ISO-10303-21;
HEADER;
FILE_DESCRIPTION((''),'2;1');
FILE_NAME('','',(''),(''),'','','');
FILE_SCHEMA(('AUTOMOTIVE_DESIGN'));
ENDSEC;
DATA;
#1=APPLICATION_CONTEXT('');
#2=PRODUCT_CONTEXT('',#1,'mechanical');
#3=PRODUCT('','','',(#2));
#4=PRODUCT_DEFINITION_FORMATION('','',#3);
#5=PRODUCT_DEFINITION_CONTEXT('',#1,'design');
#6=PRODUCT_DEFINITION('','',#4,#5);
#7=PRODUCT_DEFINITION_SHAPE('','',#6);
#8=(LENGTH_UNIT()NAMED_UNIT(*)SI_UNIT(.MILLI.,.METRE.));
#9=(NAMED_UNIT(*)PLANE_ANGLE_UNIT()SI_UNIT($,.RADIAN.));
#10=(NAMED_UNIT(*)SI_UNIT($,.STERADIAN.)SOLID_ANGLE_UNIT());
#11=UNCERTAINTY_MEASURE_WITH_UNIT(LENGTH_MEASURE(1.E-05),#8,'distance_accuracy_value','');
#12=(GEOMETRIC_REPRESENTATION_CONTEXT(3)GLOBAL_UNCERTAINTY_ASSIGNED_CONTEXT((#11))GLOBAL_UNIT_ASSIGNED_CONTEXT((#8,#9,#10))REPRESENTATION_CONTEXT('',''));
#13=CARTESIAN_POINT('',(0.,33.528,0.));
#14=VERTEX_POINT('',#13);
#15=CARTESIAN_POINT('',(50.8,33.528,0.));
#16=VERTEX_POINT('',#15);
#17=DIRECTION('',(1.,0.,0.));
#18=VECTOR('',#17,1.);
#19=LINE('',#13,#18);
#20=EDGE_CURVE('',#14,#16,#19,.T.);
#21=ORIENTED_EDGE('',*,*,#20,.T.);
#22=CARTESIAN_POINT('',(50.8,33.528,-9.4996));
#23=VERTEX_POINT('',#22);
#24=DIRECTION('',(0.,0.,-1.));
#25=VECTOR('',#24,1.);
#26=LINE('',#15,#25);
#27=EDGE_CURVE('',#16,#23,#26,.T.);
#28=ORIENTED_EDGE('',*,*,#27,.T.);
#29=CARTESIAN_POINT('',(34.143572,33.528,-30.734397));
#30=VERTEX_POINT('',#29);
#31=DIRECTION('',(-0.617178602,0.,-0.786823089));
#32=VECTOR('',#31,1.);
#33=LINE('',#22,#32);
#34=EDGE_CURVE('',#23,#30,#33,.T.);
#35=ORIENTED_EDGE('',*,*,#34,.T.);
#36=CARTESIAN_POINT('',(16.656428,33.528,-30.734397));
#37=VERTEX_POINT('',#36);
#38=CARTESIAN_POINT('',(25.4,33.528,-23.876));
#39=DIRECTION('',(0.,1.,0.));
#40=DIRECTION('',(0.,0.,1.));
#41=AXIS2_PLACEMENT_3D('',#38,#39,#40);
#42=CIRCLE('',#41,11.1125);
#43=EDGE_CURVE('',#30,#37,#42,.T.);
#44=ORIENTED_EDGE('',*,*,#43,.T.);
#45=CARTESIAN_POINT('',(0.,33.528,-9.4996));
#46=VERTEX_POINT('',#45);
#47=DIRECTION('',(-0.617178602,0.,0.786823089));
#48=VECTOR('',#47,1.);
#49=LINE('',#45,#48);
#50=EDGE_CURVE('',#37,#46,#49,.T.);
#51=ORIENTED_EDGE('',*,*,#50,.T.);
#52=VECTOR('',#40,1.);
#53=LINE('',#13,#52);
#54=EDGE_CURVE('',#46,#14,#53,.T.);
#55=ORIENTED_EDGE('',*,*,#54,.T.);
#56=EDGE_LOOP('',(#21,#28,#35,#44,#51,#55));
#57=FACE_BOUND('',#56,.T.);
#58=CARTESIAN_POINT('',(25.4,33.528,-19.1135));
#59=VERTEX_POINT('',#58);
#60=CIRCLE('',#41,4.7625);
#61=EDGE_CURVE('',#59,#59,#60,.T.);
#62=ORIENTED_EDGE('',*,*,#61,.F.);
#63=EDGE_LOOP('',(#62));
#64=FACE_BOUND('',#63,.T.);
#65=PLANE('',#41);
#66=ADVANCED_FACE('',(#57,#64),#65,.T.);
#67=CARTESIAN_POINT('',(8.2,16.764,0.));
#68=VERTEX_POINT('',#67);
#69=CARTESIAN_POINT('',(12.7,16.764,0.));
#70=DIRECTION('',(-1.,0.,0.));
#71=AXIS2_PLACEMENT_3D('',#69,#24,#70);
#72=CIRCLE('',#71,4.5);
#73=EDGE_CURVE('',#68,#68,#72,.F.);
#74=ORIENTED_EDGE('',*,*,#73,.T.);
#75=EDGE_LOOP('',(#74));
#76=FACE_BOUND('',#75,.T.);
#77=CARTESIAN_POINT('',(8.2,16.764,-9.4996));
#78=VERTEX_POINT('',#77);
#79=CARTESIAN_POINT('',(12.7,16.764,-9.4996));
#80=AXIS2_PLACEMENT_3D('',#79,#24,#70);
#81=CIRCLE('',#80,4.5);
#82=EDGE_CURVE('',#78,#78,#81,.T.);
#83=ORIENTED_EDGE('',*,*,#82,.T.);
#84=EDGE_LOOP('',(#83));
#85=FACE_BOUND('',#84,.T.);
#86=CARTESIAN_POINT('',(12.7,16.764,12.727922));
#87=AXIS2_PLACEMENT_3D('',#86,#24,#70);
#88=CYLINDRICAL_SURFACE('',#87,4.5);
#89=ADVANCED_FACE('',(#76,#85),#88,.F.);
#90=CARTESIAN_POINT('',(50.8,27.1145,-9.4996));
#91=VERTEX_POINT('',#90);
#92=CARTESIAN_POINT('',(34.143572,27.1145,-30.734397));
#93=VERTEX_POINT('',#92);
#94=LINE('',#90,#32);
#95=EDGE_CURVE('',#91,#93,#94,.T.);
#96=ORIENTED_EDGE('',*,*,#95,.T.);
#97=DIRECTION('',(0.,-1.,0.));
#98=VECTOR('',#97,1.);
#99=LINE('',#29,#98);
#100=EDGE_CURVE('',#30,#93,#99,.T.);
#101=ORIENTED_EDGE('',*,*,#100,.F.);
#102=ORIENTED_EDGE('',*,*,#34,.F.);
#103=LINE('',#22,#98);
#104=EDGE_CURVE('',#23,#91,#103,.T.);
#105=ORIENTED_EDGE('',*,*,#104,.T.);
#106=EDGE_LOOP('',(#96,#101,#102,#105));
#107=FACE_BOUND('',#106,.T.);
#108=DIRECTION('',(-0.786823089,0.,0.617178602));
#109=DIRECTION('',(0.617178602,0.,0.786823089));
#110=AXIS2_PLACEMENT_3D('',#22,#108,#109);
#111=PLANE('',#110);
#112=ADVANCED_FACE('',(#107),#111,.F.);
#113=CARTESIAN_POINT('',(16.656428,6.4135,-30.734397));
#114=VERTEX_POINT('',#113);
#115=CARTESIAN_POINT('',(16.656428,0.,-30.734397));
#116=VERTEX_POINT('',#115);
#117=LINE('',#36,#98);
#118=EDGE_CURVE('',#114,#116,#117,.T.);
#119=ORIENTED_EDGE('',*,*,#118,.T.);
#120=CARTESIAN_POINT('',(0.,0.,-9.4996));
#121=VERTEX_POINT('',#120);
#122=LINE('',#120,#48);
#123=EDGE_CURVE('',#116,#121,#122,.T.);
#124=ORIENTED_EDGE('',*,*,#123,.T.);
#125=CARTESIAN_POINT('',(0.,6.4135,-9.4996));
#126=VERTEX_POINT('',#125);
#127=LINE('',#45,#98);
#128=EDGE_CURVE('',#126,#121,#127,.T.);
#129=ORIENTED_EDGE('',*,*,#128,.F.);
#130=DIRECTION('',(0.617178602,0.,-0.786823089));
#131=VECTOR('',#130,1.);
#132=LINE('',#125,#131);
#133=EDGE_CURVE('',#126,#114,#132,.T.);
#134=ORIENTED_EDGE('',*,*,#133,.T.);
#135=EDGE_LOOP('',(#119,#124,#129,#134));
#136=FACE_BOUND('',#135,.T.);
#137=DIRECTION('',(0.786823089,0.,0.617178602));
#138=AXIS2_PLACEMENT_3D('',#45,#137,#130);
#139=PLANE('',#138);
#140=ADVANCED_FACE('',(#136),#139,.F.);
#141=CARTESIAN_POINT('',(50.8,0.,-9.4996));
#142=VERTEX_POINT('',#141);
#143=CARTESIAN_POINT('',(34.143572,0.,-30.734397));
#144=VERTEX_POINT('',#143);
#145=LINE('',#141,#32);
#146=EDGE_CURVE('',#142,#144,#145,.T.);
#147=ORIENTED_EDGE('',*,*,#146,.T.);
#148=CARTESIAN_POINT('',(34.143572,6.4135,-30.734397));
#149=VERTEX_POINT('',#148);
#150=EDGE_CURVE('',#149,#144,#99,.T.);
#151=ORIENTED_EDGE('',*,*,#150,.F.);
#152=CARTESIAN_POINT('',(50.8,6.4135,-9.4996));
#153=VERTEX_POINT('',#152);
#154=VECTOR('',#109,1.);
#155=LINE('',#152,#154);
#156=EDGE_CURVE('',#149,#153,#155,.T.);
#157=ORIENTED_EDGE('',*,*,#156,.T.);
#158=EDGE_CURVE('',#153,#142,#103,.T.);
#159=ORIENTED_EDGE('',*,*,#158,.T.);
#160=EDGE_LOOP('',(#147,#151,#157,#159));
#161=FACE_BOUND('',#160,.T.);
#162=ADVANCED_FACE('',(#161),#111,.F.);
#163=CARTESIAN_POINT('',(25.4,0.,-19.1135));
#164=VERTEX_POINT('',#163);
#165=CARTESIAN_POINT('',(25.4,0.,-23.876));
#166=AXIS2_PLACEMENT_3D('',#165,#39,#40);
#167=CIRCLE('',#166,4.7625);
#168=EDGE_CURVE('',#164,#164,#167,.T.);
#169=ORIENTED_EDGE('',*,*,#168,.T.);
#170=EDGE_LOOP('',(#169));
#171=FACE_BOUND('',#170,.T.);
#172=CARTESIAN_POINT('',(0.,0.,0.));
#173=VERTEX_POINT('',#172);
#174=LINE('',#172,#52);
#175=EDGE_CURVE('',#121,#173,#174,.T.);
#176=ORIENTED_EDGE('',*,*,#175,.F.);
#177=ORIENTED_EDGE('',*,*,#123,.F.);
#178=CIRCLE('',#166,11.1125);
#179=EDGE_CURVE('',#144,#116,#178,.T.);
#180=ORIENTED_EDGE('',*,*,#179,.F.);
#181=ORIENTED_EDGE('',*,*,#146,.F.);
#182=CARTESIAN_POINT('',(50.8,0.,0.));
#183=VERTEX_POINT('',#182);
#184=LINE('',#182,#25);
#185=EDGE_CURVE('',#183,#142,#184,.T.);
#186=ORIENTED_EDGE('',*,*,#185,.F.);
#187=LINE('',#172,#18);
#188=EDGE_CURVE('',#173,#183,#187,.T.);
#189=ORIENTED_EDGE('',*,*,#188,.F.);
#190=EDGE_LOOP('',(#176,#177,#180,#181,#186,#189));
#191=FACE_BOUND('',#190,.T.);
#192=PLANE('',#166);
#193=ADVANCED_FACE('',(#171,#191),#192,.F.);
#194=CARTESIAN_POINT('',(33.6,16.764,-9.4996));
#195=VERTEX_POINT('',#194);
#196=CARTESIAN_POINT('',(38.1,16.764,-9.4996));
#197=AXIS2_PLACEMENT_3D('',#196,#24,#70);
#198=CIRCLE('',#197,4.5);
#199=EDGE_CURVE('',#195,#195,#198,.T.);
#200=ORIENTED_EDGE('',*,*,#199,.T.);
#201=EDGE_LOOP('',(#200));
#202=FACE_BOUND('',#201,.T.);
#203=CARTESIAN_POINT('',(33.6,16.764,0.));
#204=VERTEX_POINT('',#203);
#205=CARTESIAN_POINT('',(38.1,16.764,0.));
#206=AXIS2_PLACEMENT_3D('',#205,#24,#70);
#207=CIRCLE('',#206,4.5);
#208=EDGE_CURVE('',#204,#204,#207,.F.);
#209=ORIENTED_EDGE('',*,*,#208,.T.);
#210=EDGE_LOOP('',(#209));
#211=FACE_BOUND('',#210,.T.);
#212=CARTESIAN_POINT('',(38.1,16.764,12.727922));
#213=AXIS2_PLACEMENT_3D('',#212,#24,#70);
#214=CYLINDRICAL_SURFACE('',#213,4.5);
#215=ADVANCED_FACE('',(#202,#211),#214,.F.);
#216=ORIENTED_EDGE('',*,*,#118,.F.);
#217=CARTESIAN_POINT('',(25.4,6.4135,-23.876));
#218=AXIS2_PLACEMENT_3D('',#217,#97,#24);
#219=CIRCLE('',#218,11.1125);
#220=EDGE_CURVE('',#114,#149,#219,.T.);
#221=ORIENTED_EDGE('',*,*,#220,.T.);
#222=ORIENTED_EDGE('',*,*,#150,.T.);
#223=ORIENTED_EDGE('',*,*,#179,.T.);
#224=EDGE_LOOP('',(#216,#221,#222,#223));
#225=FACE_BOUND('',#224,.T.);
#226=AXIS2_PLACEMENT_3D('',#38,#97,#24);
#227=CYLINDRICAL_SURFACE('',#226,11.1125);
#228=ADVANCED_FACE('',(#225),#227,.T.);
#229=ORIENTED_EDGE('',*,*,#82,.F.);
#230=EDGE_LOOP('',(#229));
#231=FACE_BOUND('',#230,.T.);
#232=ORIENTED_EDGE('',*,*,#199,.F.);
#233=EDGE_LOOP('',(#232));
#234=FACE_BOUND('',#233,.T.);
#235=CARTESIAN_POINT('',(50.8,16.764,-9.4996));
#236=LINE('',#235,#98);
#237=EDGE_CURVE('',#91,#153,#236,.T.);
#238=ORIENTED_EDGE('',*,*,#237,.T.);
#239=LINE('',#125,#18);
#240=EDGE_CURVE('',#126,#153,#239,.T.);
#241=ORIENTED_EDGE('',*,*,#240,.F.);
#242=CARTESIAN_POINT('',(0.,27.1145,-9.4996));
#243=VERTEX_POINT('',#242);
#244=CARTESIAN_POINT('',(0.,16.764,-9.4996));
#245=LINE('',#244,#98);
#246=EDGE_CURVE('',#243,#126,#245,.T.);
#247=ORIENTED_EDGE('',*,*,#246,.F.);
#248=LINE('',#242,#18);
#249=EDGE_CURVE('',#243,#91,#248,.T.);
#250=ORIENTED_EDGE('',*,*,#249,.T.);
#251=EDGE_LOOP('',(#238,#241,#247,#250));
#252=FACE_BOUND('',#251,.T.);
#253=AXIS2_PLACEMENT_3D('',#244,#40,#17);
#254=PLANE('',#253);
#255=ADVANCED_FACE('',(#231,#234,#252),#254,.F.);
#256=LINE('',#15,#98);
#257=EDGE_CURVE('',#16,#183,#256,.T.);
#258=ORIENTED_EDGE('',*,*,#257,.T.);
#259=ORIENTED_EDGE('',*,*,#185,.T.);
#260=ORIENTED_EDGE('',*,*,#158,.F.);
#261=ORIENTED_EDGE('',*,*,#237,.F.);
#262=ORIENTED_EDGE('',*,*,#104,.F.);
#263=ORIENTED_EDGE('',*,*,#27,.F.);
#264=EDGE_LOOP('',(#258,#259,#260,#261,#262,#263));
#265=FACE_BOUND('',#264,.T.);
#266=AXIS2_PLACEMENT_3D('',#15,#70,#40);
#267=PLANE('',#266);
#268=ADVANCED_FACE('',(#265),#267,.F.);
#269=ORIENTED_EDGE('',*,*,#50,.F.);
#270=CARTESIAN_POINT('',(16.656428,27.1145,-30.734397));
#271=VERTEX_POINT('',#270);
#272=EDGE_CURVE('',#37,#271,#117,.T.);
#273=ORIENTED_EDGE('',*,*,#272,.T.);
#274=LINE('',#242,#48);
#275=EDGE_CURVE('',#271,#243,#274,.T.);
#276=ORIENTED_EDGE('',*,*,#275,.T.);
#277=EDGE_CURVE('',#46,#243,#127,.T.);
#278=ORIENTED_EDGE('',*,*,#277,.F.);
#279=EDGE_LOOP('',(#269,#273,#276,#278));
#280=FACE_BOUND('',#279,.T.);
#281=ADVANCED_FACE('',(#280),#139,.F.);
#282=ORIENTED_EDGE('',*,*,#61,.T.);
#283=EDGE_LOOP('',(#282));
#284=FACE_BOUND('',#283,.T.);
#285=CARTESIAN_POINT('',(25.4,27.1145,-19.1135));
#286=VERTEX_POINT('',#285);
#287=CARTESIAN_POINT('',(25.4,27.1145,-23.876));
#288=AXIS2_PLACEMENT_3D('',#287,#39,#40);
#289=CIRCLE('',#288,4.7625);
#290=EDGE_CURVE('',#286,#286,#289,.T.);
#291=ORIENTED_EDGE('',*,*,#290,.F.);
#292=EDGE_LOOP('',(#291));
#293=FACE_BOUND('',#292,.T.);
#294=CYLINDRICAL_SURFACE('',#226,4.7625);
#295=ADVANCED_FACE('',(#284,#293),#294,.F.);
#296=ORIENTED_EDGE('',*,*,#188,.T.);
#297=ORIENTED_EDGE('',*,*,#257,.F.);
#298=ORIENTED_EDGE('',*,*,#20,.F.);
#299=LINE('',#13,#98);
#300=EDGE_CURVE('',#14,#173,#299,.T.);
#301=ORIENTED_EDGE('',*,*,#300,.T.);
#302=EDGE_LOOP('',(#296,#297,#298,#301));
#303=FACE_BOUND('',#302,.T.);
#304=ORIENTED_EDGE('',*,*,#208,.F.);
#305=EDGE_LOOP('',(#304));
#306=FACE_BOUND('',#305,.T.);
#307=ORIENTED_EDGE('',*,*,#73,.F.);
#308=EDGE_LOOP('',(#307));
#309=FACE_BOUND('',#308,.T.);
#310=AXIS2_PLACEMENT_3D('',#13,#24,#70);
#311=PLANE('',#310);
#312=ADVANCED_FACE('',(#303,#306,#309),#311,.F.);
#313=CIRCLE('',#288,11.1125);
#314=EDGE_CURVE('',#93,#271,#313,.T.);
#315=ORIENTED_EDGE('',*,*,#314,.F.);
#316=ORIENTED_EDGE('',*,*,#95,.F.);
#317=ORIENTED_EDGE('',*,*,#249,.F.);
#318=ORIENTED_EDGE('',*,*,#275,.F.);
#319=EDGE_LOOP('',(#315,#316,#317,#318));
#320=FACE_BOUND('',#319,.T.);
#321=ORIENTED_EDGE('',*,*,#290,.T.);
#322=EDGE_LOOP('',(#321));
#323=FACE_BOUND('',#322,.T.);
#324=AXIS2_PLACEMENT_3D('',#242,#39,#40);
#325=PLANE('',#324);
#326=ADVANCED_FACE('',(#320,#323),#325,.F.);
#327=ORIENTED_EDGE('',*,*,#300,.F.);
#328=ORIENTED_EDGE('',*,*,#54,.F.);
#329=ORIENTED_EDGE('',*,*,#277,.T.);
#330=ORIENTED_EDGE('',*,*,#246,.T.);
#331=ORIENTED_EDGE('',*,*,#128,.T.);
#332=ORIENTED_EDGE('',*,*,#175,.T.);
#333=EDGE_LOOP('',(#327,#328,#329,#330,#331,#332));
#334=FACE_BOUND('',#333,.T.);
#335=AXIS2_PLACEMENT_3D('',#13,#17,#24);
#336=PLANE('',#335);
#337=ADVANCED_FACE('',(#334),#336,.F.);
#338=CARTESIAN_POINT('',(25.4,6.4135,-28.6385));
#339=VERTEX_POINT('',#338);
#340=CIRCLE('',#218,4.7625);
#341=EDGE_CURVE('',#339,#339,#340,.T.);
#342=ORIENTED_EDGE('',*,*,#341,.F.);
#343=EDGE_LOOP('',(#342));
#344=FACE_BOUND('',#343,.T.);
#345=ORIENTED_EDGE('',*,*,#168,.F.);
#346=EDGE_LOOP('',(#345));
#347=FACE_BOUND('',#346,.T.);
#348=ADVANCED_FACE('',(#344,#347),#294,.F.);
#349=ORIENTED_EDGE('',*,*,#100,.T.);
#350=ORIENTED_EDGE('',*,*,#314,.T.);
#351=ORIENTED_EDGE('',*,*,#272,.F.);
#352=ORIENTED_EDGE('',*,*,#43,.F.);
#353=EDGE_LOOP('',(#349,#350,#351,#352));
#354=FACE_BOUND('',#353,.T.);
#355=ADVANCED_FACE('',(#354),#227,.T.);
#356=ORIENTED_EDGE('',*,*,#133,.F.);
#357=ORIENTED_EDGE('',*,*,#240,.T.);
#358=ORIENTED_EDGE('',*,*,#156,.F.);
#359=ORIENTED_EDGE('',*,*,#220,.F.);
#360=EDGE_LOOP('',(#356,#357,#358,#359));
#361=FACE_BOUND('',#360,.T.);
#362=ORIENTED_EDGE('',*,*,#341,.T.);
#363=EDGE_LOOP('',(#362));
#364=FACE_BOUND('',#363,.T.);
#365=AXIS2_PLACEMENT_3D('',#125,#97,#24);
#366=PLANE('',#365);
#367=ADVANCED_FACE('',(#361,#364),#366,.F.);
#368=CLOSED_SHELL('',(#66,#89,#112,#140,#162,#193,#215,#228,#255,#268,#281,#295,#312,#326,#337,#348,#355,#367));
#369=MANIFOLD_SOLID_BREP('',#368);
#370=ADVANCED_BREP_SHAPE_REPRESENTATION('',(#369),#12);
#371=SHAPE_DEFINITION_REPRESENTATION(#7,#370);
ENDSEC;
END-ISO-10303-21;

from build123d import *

# Parameters (mm, degrees)
SKETCH1_R           = 4.7625
BOSS_EXTRUDE1_DEPTH = 33.528
CUT_EXTRUDE1_DEPTH  = 71.206566048
SKETCH3_R           = 4.5
CUT_EXTRUDE2_DEPTH  = 9.4996


with BuildPart() as part:
    # Sketch1 → Boss-Extrude1 (new body)
    with BuildSketch(Plane(origin=(0, 0, 0), x_dir=(1, 0, 0), z_dir=(0, 1, 0))):
        with BuildLine():
            Line((0, 0), (50.8, 0))
            Line((50.8, 0), (50.8, 9.4996))
            Line((50.8, 9.4996), (34.143571574, 30.734397216))
            ThreePointArc((34.143571574, 30.734397216), (25.4, 34.9885), (16.656428426, 30.734397216))
            Line((16.656428426, 30.734397216), (0, 9.4996))
            Line((0, 9.4996), (0, 0))
        make_face()
        with Locations(Location((25.4, 23.876, 0), (0, 0, 270))):
            Circle(SKETCH1_R, mode=Mode.SUBTRACT)
    extrude(amount=BOSS_EXTRUDE1_DEPTH)

    # Sketch2 → Cut-Extrude1 (cut, through all)
    with BuildSketch(Plane(origin=(50.8, 0, 0), x_dir=(0, 0, -1), z_dir=(1, 0, 0))):
        Polygon((9.4996, 16.764), (9.4996, 27.1145), (34.9885, 27.1145), (34.9885, 6.4135), (9.4996, 6.4135), align=None)
    extrude(amount=-CUT_EXTRUDE1_DEPTH, mode=Mode.SUBTRACT)

    # Sketch3 → Cut-Extrude2 (cut)
    with BuildSketch(Plane(origin=(0, 0, -9.4996), x_dir=(-1, 0, 0), z_dir=(0, 0, -1))):
        with Locations((-38.1, 16.764)):
            Circle(SKETCH3_R)
        with Locations((-12.7, 16.764)):
            Circle(SKETCH3_R)
    extrude(amount=-CUT_EXTRUDE2_DEPTH, mode=Mode.SUBTRACT)


solid = part.part
